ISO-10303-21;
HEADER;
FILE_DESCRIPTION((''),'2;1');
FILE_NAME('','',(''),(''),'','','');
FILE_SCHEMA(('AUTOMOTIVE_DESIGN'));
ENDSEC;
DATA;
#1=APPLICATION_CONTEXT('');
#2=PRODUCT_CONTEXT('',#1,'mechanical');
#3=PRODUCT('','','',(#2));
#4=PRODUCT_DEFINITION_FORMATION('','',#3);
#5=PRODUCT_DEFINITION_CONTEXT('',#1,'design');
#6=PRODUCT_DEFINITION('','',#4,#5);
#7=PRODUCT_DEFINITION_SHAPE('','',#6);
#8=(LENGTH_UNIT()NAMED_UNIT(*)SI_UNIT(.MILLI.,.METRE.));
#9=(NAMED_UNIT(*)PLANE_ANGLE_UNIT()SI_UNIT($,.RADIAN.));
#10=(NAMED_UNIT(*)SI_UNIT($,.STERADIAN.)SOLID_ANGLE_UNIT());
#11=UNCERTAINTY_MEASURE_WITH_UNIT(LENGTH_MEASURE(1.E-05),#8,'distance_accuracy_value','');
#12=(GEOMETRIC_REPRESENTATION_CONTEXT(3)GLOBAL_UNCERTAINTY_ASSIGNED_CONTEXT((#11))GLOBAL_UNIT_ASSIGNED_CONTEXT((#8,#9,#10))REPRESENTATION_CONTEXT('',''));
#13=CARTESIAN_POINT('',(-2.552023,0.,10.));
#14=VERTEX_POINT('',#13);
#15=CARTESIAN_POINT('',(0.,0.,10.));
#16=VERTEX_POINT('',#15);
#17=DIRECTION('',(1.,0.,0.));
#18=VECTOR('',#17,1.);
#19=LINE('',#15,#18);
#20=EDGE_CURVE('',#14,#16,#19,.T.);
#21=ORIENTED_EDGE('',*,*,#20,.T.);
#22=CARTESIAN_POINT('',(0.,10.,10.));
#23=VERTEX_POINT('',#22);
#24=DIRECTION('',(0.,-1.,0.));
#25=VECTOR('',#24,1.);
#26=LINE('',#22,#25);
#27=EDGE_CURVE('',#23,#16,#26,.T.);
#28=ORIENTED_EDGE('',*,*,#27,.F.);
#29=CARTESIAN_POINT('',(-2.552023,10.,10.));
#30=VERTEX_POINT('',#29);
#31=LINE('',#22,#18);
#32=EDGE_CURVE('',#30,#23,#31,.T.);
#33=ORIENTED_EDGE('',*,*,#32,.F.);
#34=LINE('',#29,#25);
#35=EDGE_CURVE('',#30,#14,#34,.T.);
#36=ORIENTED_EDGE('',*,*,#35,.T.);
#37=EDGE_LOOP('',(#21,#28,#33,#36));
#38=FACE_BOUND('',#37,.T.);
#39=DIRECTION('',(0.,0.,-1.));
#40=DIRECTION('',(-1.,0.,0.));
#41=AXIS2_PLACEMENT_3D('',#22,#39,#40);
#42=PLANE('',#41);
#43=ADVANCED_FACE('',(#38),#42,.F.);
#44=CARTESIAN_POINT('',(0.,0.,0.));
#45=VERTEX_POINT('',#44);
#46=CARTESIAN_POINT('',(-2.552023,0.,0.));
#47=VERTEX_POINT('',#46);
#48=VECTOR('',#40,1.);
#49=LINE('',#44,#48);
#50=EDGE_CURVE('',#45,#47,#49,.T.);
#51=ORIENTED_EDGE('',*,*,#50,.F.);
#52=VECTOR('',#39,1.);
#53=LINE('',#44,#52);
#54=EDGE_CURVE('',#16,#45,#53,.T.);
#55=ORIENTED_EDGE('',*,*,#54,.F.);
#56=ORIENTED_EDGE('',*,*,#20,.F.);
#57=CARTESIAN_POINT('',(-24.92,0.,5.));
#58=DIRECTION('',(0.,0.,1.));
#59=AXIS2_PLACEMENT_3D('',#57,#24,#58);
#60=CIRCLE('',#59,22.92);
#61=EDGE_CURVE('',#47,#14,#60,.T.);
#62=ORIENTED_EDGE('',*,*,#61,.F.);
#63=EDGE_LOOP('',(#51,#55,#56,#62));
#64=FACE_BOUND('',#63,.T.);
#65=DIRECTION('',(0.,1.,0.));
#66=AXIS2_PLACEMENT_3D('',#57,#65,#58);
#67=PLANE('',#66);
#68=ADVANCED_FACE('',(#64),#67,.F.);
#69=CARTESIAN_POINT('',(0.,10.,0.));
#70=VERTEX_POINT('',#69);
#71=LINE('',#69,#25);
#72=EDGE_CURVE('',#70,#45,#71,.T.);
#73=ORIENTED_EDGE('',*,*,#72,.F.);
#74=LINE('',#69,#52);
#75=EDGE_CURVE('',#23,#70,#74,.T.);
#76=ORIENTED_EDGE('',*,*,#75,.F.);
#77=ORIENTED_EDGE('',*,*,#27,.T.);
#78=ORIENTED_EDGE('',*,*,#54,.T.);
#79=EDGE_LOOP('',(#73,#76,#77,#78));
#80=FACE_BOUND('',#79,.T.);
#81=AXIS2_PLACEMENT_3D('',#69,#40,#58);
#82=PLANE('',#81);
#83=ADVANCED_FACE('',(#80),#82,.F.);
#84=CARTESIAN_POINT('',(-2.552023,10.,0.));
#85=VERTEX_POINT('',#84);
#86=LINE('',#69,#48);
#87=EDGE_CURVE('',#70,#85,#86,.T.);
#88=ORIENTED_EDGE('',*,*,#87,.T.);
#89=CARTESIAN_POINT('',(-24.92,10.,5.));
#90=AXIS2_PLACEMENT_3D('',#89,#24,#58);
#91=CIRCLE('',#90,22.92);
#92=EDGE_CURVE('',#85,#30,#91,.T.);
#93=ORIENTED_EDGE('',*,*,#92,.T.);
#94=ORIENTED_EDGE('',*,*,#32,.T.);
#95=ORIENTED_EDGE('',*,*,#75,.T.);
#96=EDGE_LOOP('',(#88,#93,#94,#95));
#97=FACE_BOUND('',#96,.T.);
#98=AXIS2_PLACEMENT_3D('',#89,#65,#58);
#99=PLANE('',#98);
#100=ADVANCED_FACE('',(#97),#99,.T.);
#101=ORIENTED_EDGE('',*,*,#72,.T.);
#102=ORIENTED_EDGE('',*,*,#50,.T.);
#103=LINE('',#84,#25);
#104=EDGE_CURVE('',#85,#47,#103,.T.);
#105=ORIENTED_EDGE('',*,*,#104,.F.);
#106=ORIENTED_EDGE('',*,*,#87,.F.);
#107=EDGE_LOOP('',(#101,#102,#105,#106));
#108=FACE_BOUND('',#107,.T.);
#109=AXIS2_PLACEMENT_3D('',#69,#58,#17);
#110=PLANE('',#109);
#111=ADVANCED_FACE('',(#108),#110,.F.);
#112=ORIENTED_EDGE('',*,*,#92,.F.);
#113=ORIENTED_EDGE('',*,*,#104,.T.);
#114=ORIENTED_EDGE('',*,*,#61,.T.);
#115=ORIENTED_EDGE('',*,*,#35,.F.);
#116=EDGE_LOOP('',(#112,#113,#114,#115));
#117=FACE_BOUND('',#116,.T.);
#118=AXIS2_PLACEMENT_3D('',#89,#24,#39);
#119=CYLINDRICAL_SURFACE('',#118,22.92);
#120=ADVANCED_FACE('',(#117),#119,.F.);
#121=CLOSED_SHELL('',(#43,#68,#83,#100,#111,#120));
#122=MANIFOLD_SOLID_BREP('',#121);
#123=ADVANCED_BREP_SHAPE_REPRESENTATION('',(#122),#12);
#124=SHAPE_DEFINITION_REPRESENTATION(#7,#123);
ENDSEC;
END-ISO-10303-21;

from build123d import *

# Parameters (mm, degrees)
EXTRUDE_1_DEPTH = 10


with BuildPart() as part:
    # 草图1 → 凸台-拉伸1 (new body)
    with BuildSketch(Plane(origin=(0, 0, 0), x_dir=(1, 0, 0), z_dir=(0, 1, 0))):
        with BuildLine():
            Line((0, 0), (0, -10))
            Line((0, -10), (-2.55202289, -10))
            ThreePointArc((-2.55202289, -10), (-2, -5), (-2.55202289, 0))
            Line((-2.55202289, 0), (0, 0))
        make_face()
    extrude(amount=EXTRUDE_1_DEPTH)


solid = part.part
